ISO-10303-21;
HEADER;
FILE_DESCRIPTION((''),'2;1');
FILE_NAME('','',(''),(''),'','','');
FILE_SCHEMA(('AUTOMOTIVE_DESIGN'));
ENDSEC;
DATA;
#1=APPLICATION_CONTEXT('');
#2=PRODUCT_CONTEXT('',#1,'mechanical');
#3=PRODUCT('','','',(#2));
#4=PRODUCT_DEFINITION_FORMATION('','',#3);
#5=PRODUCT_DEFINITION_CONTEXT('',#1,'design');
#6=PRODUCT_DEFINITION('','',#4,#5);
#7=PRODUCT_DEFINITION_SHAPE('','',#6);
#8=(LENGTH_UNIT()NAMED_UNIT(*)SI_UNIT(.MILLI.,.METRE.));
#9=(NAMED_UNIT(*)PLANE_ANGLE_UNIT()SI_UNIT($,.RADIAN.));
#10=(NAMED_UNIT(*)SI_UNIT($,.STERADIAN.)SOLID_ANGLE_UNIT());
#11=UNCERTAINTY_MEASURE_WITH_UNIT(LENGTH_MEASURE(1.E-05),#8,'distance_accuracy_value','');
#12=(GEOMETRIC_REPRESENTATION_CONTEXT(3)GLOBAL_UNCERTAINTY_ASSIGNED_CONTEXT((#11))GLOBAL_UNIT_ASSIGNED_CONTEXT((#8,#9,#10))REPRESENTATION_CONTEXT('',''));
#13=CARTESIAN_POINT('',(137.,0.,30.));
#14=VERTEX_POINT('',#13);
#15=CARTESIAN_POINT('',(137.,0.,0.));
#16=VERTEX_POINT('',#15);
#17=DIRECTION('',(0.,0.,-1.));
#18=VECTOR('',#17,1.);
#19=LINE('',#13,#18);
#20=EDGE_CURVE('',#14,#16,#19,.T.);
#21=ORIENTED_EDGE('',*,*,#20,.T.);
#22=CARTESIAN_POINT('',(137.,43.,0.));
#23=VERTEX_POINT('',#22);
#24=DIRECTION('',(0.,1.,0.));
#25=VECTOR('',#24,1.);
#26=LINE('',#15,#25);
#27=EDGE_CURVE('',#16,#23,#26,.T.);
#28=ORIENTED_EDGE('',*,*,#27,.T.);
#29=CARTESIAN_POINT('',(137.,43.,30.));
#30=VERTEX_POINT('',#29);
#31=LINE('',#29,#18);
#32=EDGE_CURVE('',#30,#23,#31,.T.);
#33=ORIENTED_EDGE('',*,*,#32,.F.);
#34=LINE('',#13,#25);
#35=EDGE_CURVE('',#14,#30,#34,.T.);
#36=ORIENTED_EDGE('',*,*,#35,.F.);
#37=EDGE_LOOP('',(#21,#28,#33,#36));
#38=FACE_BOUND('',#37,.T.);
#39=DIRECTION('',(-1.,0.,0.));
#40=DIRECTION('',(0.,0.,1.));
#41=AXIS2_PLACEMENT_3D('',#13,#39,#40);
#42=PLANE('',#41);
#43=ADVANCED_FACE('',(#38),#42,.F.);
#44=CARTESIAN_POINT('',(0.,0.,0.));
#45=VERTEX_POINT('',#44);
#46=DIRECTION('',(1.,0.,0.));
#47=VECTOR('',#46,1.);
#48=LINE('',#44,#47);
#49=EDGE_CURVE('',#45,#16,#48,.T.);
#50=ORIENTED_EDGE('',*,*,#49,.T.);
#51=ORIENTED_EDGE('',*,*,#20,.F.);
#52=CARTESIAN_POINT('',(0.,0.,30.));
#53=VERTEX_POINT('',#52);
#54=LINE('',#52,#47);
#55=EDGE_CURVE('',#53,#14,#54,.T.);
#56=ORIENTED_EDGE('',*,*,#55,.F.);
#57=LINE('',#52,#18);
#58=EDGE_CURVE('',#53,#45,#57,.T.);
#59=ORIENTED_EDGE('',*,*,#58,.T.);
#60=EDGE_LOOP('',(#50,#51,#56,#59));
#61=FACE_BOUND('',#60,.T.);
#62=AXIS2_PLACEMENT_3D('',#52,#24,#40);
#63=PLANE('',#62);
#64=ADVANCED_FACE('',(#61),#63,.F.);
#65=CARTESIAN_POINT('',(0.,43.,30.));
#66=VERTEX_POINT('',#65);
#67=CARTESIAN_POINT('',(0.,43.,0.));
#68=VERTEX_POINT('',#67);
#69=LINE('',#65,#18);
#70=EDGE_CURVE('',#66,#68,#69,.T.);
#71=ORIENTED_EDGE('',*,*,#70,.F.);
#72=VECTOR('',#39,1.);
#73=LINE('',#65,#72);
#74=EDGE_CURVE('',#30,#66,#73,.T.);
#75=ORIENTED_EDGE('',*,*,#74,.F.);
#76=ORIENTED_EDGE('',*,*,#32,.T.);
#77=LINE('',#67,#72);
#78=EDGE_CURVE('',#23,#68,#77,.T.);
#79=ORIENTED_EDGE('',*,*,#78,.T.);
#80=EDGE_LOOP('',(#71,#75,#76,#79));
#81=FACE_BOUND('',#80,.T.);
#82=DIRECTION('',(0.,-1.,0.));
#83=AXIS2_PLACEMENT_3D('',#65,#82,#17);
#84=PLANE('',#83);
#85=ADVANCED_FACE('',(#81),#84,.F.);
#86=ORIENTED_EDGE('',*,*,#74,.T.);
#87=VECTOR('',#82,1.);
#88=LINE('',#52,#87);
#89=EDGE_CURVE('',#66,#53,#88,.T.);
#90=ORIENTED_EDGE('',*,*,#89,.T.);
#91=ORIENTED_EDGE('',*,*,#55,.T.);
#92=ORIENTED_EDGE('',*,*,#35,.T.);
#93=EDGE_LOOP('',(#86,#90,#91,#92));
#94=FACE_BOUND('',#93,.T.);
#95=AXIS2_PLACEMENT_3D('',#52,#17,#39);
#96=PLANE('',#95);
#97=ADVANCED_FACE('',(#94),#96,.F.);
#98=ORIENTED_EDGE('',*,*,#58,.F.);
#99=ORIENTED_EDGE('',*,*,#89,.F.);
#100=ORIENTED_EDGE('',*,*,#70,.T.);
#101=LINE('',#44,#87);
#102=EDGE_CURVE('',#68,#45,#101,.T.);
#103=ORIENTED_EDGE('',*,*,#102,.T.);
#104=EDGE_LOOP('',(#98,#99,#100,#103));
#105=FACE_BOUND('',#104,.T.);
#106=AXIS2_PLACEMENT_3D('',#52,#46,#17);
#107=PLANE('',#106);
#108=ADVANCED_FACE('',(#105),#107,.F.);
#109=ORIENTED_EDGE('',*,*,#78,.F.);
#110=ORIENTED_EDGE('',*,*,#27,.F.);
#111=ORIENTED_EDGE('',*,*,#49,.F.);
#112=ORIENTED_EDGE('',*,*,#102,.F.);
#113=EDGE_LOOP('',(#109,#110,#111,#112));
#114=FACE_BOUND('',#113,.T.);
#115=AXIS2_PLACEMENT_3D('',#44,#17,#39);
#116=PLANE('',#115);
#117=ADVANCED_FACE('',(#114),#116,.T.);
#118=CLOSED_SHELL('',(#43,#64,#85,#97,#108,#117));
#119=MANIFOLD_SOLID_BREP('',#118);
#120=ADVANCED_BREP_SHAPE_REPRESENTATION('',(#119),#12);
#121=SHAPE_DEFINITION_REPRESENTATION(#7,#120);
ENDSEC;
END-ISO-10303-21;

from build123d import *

# Parameters (mm, degrees)
ESQUISSE1_W        = 137
ESQUISSE1_H        = 43
BOSS_EXTRU_1_DEPTH = 30


with BuildPart() as part:
    # Esquisse1 → Boss.-Extru.1 (new body)
    with BuildSketch(Plane.XY):
        with Locations((68.5, 21.5)):
            Rectangle(ESQUISSE1_W, ESQUISSE1_H)
    extrude(amount=BOSS_EXTRU_1_DEPTH)


solid = part.part
